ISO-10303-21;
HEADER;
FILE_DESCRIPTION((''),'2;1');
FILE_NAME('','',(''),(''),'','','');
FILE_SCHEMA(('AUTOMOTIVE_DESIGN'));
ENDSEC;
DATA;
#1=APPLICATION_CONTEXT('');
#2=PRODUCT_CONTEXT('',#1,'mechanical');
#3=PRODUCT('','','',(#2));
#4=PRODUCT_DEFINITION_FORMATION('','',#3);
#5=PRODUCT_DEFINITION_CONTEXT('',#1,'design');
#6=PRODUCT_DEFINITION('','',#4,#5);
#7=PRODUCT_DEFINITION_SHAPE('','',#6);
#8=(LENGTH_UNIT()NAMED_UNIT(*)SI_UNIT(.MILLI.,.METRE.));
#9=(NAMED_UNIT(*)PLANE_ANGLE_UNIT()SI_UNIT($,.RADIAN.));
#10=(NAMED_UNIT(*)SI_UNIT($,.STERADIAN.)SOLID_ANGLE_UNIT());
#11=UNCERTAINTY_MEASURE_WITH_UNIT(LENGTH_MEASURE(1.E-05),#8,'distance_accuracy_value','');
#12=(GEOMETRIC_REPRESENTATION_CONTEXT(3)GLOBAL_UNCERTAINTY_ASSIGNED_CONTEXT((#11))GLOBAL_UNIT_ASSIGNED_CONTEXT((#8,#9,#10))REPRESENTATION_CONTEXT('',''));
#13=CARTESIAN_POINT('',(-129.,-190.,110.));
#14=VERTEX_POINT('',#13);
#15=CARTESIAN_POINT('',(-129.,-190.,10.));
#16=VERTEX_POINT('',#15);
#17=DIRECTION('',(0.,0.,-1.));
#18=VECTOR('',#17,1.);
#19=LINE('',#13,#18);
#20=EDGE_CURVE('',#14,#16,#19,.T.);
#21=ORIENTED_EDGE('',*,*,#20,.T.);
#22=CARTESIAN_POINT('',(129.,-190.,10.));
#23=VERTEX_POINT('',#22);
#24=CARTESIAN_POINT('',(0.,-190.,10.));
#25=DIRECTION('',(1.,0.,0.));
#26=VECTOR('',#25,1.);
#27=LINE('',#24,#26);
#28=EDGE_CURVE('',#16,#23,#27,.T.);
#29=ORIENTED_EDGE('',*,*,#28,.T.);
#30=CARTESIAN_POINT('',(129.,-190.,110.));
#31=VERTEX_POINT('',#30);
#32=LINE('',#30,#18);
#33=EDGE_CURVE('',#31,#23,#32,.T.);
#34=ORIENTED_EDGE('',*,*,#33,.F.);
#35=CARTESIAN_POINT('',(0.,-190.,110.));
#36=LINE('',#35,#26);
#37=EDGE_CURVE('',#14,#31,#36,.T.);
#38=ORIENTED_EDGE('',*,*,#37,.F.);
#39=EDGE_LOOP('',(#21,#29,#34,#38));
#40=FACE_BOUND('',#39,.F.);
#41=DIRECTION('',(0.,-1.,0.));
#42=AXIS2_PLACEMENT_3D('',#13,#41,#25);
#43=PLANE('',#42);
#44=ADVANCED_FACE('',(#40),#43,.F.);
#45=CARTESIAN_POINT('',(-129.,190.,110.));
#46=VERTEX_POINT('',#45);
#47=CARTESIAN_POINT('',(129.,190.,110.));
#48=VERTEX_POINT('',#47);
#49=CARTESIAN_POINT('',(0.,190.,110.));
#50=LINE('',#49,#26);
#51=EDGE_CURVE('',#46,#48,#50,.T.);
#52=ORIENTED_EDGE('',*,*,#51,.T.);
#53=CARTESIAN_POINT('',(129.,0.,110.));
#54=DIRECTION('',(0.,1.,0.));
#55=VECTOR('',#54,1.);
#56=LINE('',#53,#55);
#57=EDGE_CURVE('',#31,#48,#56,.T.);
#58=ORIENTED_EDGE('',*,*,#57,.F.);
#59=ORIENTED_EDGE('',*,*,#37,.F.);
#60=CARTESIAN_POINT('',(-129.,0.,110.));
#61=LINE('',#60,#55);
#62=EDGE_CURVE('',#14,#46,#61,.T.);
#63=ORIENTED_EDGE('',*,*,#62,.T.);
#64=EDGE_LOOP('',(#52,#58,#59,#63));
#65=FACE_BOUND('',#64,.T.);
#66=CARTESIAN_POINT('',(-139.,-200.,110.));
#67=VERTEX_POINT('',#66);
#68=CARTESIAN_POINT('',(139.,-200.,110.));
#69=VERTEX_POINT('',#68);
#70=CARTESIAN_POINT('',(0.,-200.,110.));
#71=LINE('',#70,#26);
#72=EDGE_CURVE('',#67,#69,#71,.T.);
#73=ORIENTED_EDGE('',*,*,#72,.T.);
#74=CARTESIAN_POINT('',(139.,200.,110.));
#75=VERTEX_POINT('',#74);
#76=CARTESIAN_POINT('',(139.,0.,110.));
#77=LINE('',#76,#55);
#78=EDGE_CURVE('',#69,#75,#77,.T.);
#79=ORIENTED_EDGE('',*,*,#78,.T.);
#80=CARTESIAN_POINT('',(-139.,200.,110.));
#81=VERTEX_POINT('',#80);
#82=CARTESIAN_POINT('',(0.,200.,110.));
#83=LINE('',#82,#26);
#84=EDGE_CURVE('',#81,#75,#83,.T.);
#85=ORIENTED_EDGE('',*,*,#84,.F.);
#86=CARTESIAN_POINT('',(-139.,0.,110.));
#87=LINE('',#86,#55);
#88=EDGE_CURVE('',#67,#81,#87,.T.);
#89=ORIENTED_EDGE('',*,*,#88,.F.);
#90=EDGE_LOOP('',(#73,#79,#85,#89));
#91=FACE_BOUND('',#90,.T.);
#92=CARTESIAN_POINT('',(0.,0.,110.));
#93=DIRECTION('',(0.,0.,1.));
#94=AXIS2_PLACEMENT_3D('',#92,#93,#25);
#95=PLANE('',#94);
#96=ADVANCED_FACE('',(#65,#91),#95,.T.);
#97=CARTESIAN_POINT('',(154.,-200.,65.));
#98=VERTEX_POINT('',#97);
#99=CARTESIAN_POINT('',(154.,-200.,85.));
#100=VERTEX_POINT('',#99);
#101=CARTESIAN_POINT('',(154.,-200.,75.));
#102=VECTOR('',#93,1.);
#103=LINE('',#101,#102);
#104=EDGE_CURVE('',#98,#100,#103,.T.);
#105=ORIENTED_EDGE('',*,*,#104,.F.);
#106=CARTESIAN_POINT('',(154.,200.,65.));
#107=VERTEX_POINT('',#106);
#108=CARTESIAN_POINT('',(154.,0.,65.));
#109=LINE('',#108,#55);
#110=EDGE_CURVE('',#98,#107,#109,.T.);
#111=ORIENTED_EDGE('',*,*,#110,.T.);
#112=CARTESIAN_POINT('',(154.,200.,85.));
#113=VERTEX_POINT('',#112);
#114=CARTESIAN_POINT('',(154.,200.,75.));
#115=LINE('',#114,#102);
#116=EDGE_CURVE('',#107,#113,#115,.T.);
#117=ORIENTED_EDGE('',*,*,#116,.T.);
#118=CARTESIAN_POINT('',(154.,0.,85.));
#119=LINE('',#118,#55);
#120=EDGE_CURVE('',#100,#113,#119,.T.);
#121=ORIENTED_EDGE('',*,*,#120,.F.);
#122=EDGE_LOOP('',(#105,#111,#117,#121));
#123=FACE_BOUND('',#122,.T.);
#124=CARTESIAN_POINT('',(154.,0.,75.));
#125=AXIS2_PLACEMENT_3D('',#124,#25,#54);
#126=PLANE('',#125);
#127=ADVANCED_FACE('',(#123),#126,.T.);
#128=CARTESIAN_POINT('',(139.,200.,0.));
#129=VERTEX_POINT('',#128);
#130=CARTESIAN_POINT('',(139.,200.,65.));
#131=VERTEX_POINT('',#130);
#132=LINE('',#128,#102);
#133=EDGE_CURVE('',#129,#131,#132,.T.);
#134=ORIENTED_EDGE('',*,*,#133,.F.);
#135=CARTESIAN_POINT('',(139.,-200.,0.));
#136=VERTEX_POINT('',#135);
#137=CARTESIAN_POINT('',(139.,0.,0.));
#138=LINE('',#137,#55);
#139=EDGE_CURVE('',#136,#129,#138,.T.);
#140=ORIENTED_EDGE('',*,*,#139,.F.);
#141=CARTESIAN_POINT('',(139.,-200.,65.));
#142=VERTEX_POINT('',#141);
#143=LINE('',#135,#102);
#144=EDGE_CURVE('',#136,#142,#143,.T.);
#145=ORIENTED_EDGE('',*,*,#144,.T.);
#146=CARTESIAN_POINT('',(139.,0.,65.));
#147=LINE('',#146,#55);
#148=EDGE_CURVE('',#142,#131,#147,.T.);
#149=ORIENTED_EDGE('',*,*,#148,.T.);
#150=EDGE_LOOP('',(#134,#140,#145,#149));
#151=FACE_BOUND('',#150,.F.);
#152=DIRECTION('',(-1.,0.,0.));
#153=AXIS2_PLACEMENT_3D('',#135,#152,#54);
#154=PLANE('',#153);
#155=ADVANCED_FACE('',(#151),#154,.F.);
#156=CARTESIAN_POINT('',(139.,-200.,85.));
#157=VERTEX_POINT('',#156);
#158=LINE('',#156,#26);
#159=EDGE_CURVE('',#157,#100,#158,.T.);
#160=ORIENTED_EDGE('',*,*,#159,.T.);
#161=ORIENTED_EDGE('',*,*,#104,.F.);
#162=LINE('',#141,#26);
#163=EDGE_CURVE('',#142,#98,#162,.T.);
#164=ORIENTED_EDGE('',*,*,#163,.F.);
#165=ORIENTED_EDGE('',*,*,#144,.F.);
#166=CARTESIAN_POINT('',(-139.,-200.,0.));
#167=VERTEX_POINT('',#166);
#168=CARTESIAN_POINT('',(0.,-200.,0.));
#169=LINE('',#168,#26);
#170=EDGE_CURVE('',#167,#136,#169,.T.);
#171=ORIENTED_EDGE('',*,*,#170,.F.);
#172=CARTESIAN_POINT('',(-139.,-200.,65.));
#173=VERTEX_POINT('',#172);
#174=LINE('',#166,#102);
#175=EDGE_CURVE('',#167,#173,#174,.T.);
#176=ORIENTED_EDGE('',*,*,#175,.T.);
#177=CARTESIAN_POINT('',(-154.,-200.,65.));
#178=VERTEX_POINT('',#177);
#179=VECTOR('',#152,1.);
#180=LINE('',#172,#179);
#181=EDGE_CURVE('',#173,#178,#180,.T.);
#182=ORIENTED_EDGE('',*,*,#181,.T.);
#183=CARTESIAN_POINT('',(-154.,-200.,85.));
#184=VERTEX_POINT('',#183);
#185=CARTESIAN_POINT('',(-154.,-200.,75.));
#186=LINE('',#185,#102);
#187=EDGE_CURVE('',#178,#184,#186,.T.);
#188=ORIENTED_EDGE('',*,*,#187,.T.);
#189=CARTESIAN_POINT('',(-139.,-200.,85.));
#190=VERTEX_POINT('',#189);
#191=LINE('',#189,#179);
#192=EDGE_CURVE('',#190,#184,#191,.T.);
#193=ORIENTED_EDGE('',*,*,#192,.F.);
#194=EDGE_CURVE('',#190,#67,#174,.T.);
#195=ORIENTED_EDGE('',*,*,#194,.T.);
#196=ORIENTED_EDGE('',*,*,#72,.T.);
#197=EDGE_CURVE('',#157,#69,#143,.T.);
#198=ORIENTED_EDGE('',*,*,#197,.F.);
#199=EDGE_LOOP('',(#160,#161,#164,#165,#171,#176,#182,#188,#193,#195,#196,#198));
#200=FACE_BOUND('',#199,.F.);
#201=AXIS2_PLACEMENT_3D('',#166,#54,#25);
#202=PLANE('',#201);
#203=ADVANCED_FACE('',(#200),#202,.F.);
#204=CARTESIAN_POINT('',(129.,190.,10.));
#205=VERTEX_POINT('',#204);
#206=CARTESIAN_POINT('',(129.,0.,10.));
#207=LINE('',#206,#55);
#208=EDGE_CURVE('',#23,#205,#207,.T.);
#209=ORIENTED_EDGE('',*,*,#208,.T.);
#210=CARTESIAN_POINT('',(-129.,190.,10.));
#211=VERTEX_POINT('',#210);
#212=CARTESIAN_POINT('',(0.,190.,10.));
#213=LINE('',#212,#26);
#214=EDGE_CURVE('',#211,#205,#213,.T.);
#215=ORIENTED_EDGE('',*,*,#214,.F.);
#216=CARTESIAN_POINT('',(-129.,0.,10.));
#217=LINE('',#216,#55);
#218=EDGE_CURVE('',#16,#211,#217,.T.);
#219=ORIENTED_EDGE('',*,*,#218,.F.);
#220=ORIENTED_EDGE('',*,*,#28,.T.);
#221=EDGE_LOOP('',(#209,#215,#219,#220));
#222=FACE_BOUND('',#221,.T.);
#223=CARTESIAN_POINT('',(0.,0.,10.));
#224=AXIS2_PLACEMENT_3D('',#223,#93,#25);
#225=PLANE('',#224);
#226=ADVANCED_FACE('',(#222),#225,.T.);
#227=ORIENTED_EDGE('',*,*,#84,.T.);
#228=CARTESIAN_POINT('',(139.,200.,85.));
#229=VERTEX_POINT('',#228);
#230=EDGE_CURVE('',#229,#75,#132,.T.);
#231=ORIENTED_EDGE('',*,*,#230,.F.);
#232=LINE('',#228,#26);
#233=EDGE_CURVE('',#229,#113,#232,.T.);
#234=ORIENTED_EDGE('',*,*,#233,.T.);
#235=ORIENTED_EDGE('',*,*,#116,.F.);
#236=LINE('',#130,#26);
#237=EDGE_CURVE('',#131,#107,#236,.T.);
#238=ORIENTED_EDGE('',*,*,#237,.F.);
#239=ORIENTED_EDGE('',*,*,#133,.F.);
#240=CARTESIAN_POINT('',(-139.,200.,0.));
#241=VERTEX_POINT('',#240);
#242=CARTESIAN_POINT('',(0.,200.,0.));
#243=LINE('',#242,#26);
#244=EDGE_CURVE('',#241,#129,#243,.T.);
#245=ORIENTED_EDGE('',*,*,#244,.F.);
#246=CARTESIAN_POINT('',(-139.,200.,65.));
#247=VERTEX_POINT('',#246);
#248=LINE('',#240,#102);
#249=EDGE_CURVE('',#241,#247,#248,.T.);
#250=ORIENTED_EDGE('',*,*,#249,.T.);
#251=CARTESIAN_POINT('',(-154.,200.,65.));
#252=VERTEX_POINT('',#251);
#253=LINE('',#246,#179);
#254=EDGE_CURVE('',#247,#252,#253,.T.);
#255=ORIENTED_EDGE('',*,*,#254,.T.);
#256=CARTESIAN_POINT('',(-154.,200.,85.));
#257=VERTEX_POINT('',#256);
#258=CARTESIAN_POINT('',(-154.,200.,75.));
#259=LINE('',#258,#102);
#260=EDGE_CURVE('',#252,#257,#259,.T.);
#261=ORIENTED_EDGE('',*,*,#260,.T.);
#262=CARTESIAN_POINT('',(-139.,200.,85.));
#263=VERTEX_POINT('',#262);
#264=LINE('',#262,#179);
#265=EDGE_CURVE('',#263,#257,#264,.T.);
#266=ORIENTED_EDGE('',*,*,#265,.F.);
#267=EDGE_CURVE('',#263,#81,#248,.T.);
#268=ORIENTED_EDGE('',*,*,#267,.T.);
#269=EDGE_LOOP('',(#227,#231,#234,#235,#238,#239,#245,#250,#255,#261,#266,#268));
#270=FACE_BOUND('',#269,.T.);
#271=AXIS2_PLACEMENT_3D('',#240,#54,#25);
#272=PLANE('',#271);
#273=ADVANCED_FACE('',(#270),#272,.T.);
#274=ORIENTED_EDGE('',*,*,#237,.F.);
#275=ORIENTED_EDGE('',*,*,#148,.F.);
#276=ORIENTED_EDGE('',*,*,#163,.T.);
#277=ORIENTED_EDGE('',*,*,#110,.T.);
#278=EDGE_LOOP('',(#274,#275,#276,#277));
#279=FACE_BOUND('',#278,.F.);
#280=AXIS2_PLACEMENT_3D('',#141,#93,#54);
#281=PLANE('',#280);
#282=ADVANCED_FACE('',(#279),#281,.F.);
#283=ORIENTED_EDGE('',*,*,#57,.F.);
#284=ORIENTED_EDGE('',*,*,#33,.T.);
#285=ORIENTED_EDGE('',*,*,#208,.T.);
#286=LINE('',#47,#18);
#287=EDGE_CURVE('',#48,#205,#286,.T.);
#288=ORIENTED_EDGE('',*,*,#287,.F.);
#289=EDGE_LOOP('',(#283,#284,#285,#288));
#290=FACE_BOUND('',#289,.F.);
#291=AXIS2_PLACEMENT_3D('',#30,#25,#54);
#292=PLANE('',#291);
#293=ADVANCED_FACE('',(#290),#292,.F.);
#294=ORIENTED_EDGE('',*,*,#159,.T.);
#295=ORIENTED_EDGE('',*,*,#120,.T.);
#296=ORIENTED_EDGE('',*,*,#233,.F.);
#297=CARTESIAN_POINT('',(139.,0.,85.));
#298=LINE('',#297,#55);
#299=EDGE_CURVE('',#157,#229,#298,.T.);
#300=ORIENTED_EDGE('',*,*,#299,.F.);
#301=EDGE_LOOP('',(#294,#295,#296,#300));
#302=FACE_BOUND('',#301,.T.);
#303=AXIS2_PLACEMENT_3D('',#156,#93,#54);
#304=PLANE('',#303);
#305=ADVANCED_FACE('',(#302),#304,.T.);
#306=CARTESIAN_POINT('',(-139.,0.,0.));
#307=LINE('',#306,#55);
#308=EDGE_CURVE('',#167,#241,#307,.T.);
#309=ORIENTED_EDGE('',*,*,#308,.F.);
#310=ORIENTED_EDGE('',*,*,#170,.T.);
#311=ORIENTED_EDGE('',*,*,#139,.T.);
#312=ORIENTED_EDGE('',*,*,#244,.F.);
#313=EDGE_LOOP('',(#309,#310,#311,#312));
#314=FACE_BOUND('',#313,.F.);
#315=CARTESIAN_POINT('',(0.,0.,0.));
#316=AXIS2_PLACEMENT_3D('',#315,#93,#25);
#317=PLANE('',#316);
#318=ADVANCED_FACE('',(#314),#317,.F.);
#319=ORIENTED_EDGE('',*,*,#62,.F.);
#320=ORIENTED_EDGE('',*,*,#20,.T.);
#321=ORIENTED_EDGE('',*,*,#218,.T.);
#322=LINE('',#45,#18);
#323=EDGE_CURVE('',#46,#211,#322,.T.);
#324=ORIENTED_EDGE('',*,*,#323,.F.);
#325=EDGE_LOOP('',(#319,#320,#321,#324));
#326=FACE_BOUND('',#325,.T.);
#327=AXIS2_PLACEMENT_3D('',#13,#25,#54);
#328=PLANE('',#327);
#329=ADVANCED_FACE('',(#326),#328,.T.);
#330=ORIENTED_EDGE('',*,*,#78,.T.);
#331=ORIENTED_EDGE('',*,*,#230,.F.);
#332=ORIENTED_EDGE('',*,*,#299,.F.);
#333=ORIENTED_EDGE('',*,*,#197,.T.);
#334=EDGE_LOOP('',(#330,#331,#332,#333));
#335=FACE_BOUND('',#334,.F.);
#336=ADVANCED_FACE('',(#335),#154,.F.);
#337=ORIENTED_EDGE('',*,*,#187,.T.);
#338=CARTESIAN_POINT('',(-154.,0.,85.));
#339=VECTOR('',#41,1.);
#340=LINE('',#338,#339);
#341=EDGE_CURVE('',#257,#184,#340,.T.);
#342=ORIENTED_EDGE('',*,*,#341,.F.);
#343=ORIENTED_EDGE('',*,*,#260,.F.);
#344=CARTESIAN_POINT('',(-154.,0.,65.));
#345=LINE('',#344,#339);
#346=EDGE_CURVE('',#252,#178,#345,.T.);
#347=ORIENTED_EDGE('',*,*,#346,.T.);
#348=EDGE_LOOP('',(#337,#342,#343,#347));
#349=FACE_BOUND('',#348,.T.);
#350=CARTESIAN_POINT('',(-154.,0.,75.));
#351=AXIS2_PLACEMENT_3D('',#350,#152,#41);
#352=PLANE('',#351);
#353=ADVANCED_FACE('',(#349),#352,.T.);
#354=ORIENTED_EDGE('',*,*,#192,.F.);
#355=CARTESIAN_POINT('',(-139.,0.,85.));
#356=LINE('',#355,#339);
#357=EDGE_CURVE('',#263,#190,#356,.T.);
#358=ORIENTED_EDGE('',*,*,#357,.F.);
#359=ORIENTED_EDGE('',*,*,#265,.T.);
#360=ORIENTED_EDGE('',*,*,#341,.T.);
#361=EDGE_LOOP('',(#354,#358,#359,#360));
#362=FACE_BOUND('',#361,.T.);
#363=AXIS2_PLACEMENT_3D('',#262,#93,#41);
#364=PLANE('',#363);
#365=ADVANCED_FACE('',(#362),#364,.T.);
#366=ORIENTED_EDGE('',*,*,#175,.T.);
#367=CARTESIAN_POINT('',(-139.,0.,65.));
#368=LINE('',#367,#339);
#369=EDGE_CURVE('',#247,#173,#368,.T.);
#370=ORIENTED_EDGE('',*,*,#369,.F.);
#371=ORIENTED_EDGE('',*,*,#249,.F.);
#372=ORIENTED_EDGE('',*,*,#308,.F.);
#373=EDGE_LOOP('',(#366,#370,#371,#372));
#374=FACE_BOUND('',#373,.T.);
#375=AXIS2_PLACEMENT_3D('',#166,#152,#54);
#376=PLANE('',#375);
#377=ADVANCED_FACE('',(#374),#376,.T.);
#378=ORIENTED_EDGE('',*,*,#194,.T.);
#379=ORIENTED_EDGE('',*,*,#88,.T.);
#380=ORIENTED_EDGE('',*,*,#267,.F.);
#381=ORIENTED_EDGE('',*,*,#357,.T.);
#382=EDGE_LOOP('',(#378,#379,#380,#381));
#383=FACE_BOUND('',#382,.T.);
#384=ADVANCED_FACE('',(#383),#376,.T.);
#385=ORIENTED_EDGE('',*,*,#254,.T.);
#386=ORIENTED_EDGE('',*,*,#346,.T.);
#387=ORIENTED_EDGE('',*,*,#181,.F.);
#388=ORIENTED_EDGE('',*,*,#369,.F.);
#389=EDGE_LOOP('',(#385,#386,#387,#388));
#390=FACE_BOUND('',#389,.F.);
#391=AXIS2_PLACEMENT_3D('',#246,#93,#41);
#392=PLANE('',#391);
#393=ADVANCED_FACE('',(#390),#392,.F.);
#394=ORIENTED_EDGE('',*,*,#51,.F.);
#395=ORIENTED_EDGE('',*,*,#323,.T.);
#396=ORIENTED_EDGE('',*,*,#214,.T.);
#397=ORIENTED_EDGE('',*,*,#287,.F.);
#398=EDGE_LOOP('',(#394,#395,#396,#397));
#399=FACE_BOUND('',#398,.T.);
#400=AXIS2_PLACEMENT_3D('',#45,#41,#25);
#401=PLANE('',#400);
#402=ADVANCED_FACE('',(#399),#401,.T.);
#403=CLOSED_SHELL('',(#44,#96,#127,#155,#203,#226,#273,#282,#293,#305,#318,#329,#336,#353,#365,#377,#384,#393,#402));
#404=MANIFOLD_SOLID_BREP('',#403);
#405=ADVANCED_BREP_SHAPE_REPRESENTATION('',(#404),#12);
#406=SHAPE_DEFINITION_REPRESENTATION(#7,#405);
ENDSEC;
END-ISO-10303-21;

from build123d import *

# Parameters (mm, degrees)
F0_W     = 278
F0_H     = 400
F1_DEPTH = 110
F2_W     = 258
F2_H     = 380
F3_DEPTH = 100
F4_W     = 400
F4_H     = 20
F5_DEPTH = 15
F6_W     = 400
F6_H     = 20
F7_DEPTH = 15


with BuildPart() as f1:
    # F0 (on Top) → F1 (new body)
    with BuildSketch(Plane.XY):
        Rectangle(F0_W, F0_H)
    extrude(amount=F1_DEPTH)

    # F2 (on face) → F3 (cut)
    with BuildSketch(Plane.XY.offset(110)):
        Rectangle(F2_W, F2_H)
    extrude(amount=-F3_DEPTH, mode=Mode.SUBTRACT)

    # F4 (on face) → F5 (join)
    with BuildSketch(Plane(origin=(-139, 0, 0), x_dir=(0, -1, 0), z_dir=(-1, 0, 0))):
        with Locations((0, 75)):
            Rectangle(F4_W, F4_H)
    extrude(amount=F5_DEPTH)

    # F6 (on face) → F7 (join)
    with BuildSketch(Plane.YZ.offset(139)):
        with Locations((0, 75)):
            Rectangle(F6_W, F6_H)
    extrude(amount=F7_DEPTH)


solid = f1.part
